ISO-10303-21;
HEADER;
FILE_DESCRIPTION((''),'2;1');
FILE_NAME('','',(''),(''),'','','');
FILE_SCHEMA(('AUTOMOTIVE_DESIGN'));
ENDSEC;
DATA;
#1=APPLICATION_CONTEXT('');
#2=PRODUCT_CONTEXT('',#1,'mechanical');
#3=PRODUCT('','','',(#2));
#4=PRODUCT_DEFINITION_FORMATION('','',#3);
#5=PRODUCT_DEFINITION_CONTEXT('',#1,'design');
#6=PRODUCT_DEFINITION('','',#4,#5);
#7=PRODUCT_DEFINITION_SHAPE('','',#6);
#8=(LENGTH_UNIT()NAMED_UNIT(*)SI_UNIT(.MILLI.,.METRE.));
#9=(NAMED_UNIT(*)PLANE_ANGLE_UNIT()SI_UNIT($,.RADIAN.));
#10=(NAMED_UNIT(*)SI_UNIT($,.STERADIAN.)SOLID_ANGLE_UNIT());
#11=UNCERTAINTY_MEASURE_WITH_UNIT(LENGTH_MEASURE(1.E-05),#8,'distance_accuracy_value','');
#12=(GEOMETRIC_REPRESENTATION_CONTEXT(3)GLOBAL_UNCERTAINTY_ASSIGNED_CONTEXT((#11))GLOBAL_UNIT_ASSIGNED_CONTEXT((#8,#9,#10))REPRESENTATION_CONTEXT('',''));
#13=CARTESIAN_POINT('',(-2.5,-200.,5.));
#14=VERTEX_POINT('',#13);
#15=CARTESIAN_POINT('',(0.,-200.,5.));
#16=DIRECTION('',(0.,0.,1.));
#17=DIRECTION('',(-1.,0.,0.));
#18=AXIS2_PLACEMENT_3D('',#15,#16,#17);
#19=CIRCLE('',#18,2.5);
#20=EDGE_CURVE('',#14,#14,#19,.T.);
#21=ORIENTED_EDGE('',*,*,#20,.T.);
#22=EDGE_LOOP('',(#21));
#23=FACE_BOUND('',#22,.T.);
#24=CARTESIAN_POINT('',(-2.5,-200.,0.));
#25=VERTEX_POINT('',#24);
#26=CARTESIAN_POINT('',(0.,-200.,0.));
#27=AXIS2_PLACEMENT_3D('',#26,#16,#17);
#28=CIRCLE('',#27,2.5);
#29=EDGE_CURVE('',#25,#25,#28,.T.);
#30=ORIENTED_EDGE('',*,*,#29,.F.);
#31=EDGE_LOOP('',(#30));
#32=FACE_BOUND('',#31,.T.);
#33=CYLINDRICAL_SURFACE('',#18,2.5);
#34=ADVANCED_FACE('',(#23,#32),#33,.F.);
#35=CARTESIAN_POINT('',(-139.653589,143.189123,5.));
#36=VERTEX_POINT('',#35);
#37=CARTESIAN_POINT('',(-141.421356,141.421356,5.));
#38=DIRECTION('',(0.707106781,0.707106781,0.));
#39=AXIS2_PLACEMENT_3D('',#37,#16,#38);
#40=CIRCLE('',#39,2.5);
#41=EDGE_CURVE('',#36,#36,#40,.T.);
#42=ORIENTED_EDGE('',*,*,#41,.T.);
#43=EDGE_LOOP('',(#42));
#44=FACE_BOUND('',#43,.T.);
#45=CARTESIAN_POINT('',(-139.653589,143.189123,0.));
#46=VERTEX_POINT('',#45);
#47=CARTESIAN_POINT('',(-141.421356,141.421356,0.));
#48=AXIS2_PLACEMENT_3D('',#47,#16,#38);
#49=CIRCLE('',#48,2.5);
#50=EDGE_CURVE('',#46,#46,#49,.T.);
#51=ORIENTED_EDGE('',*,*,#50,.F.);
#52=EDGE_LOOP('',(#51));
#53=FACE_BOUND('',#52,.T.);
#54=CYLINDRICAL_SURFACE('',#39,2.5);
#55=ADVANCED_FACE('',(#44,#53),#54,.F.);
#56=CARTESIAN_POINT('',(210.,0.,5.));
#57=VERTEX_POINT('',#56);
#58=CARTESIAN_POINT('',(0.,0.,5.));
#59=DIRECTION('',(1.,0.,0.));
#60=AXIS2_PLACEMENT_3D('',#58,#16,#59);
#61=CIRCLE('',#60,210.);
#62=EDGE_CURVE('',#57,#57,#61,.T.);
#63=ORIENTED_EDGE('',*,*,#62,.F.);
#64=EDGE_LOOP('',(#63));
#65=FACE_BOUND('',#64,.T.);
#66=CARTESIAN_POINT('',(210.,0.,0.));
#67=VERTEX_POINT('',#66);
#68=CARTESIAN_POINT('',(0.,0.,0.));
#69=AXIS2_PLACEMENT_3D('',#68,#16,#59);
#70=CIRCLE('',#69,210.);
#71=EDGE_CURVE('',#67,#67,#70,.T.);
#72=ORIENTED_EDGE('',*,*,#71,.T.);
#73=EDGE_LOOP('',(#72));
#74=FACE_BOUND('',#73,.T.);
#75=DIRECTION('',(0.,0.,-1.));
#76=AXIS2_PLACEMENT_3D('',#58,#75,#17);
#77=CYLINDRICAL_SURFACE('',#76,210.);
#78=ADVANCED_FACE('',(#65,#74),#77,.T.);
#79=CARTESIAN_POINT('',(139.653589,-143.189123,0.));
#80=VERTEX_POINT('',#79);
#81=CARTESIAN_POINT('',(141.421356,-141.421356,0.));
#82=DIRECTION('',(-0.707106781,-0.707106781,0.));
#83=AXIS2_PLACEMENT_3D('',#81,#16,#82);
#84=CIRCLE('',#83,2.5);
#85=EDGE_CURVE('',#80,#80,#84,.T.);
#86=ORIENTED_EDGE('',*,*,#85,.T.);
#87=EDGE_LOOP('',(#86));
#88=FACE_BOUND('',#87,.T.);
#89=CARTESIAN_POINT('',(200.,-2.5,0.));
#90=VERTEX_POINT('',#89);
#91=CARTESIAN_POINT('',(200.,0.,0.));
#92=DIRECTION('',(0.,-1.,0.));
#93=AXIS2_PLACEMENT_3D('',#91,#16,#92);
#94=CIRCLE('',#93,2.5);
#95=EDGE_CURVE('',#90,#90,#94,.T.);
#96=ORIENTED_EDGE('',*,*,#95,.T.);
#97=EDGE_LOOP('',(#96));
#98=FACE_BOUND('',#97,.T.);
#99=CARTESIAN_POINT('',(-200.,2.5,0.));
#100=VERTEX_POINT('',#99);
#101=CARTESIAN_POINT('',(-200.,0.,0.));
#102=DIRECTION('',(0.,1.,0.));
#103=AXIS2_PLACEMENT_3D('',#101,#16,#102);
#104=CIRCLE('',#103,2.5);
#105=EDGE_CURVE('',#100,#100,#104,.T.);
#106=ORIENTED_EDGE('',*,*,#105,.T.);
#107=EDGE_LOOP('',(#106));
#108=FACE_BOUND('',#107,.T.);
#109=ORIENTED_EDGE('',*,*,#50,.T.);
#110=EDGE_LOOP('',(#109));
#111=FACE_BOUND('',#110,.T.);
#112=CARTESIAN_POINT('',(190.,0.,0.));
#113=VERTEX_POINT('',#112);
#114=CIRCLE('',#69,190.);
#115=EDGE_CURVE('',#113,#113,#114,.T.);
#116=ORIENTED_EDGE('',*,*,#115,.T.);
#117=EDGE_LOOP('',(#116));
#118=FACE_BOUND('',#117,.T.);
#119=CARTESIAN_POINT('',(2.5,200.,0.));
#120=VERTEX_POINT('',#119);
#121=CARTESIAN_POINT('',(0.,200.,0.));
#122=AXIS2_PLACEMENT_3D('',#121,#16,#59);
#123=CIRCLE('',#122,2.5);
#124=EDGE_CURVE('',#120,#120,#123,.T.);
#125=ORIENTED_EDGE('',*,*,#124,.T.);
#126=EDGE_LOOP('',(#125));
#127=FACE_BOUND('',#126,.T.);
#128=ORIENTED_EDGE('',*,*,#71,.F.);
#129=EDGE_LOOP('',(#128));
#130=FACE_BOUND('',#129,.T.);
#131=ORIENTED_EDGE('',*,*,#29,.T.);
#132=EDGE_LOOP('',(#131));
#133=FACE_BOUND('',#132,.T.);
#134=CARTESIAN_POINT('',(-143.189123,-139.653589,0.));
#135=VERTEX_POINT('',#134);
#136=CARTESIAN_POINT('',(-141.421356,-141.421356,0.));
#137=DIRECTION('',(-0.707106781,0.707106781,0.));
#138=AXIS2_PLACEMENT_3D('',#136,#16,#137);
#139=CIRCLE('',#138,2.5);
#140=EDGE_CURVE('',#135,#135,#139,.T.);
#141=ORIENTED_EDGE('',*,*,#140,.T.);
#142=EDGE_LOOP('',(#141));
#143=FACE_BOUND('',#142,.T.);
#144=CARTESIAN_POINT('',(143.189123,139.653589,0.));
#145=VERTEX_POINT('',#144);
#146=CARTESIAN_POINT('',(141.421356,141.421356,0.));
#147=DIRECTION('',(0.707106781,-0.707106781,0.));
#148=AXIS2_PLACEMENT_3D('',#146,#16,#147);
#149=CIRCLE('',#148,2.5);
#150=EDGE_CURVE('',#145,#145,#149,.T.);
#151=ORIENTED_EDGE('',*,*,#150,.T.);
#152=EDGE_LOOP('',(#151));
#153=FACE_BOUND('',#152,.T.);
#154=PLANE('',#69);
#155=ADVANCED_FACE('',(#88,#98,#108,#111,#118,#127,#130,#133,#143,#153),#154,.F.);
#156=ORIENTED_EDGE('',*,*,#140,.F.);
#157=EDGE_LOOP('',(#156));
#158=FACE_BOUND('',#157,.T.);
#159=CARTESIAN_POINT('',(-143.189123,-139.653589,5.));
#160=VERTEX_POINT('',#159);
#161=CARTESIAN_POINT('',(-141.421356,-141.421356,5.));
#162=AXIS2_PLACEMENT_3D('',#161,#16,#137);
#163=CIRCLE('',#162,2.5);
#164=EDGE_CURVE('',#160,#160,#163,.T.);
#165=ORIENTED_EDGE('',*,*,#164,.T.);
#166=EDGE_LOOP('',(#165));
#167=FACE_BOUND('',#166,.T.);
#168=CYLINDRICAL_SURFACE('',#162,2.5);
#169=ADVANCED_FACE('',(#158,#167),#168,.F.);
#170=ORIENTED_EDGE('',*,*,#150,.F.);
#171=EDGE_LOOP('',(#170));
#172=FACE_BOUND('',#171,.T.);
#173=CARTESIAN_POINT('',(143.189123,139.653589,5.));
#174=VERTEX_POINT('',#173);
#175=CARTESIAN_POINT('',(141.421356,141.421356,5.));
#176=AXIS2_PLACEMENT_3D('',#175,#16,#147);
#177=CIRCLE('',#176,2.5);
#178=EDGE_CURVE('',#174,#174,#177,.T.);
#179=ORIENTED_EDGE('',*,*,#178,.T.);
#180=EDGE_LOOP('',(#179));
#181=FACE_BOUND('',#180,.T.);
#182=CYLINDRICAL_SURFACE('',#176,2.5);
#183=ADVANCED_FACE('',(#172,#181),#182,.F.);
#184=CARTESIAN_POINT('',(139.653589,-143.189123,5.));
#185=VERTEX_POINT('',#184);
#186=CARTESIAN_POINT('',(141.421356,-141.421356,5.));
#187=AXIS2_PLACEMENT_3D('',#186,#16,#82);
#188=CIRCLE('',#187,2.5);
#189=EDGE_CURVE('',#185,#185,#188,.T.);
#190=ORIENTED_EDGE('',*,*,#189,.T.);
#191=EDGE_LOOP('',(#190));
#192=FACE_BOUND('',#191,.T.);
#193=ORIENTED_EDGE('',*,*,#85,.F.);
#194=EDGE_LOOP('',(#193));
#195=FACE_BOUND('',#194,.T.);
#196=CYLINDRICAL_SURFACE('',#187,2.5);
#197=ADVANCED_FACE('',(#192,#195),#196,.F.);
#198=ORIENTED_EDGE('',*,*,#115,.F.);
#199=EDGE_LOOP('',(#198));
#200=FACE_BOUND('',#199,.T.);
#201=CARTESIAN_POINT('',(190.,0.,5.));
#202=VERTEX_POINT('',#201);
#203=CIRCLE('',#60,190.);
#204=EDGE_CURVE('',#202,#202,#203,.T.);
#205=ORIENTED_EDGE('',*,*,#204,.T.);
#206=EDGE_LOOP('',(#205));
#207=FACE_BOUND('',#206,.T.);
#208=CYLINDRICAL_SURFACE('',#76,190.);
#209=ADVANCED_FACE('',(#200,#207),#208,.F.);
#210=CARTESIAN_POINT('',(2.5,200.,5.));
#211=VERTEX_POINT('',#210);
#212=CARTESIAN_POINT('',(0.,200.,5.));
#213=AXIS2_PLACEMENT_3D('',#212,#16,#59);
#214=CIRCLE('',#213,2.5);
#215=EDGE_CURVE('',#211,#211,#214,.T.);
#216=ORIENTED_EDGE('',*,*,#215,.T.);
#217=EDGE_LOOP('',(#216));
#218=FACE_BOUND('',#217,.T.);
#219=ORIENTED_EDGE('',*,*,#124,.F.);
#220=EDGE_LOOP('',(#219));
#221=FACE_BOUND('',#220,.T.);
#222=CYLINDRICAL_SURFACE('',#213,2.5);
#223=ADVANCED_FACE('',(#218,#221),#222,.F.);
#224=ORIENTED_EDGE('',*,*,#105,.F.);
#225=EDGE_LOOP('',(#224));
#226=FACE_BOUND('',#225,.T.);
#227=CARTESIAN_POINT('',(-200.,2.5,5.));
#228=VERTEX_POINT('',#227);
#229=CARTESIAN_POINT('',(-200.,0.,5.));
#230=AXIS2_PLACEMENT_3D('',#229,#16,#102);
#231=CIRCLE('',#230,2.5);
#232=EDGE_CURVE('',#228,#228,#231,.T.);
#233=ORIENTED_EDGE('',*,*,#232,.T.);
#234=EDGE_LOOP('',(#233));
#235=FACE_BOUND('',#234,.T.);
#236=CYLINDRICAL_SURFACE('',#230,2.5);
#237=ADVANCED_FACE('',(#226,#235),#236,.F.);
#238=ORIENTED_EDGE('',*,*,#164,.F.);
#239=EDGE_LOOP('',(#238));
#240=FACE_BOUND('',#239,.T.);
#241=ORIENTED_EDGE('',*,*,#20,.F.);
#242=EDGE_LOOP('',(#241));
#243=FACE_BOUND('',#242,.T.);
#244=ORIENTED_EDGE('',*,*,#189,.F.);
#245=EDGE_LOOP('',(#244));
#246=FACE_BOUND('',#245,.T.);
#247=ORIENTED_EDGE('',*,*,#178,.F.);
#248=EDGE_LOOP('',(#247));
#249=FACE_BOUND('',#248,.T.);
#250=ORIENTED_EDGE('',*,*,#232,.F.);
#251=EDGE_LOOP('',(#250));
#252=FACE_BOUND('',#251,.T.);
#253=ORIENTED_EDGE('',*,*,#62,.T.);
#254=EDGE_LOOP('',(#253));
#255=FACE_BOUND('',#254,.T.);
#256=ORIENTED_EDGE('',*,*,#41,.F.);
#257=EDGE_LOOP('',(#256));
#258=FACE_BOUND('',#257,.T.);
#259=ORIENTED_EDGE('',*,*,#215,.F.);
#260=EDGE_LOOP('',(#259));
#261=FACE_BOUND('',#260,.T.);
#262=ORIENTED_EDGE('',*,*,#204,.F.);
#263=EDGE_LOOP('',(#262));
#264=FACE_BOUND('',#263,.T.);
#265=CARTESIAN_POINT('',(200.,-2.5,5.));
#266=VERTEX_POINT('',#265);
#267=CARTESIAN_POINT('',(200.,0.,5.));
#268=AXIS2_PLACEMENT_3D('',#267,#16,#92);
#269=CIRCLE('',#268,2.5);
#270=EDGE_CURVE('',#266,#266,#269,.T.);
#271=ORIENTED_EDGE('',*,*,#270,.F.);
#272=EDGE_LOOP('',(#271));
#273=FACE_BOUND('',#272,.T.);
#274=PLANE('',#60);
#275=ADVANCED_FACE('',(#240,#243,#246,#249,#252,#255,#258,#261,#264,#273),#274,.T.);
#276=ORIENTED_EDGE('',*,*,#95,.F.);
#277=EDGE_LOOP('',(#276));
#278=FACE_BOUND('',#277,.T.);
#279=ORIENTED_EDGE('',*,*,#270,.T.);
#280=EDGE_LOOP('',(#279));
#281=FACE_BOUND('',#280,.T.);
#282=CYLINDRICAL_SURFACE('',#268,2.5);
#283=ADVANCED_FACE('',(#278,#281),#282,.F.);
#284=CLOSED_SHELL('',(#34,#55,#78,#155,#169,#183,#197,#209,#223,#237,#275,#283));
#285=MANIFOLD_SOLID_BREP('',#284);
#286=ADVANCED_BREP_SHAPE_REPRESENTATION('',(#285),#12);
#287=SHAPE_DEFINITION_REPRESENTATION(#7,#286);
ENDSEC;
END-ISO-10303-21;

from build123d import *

# Parameters (mm, degrees)
SKETCH1_R           = 210
SKETCH1_R_2         = 190
BOSS_EXTRUDE1_DEPTH = 5
M6_TAPPED_HOLE1_D   = 5
CIRPATTERN1_COUNT   = 8


with BuildPart() as part:
    # Sketch1 → Boss-Extrude1 (new body)
    with BuildSketch(Plane.XY):
        Circle(SKETCH1_R)
        Circle(SKETCH1_R_2, mode=Mode.SUBTRACT)
    extrude(amount=BOSS_EXTRUDE1_DEPTH)

    # M6 Tapped Hole1 (through all)
    with Locations(Plane.XY.offset(5)):
        with Locations((0, 200)):
            m6_tapped_hole1 = Hole(M6_TAPPED_HOLE1_D / 2)

    # CirPattern1: M6 Tapped Hole1 ×8 about axis
    cirpattern1_axis = Axis((0, 0, 0), (0, 0, 1))
    for i in range(1, CIRPATTERN1_COUNT):
        add(m6_tapped_hole1.rotate(cirpattern1_axis, i * 360 / CIRPATTERN1_COUNT), mode=Mode.SUBTRACT)


solid = part.part
